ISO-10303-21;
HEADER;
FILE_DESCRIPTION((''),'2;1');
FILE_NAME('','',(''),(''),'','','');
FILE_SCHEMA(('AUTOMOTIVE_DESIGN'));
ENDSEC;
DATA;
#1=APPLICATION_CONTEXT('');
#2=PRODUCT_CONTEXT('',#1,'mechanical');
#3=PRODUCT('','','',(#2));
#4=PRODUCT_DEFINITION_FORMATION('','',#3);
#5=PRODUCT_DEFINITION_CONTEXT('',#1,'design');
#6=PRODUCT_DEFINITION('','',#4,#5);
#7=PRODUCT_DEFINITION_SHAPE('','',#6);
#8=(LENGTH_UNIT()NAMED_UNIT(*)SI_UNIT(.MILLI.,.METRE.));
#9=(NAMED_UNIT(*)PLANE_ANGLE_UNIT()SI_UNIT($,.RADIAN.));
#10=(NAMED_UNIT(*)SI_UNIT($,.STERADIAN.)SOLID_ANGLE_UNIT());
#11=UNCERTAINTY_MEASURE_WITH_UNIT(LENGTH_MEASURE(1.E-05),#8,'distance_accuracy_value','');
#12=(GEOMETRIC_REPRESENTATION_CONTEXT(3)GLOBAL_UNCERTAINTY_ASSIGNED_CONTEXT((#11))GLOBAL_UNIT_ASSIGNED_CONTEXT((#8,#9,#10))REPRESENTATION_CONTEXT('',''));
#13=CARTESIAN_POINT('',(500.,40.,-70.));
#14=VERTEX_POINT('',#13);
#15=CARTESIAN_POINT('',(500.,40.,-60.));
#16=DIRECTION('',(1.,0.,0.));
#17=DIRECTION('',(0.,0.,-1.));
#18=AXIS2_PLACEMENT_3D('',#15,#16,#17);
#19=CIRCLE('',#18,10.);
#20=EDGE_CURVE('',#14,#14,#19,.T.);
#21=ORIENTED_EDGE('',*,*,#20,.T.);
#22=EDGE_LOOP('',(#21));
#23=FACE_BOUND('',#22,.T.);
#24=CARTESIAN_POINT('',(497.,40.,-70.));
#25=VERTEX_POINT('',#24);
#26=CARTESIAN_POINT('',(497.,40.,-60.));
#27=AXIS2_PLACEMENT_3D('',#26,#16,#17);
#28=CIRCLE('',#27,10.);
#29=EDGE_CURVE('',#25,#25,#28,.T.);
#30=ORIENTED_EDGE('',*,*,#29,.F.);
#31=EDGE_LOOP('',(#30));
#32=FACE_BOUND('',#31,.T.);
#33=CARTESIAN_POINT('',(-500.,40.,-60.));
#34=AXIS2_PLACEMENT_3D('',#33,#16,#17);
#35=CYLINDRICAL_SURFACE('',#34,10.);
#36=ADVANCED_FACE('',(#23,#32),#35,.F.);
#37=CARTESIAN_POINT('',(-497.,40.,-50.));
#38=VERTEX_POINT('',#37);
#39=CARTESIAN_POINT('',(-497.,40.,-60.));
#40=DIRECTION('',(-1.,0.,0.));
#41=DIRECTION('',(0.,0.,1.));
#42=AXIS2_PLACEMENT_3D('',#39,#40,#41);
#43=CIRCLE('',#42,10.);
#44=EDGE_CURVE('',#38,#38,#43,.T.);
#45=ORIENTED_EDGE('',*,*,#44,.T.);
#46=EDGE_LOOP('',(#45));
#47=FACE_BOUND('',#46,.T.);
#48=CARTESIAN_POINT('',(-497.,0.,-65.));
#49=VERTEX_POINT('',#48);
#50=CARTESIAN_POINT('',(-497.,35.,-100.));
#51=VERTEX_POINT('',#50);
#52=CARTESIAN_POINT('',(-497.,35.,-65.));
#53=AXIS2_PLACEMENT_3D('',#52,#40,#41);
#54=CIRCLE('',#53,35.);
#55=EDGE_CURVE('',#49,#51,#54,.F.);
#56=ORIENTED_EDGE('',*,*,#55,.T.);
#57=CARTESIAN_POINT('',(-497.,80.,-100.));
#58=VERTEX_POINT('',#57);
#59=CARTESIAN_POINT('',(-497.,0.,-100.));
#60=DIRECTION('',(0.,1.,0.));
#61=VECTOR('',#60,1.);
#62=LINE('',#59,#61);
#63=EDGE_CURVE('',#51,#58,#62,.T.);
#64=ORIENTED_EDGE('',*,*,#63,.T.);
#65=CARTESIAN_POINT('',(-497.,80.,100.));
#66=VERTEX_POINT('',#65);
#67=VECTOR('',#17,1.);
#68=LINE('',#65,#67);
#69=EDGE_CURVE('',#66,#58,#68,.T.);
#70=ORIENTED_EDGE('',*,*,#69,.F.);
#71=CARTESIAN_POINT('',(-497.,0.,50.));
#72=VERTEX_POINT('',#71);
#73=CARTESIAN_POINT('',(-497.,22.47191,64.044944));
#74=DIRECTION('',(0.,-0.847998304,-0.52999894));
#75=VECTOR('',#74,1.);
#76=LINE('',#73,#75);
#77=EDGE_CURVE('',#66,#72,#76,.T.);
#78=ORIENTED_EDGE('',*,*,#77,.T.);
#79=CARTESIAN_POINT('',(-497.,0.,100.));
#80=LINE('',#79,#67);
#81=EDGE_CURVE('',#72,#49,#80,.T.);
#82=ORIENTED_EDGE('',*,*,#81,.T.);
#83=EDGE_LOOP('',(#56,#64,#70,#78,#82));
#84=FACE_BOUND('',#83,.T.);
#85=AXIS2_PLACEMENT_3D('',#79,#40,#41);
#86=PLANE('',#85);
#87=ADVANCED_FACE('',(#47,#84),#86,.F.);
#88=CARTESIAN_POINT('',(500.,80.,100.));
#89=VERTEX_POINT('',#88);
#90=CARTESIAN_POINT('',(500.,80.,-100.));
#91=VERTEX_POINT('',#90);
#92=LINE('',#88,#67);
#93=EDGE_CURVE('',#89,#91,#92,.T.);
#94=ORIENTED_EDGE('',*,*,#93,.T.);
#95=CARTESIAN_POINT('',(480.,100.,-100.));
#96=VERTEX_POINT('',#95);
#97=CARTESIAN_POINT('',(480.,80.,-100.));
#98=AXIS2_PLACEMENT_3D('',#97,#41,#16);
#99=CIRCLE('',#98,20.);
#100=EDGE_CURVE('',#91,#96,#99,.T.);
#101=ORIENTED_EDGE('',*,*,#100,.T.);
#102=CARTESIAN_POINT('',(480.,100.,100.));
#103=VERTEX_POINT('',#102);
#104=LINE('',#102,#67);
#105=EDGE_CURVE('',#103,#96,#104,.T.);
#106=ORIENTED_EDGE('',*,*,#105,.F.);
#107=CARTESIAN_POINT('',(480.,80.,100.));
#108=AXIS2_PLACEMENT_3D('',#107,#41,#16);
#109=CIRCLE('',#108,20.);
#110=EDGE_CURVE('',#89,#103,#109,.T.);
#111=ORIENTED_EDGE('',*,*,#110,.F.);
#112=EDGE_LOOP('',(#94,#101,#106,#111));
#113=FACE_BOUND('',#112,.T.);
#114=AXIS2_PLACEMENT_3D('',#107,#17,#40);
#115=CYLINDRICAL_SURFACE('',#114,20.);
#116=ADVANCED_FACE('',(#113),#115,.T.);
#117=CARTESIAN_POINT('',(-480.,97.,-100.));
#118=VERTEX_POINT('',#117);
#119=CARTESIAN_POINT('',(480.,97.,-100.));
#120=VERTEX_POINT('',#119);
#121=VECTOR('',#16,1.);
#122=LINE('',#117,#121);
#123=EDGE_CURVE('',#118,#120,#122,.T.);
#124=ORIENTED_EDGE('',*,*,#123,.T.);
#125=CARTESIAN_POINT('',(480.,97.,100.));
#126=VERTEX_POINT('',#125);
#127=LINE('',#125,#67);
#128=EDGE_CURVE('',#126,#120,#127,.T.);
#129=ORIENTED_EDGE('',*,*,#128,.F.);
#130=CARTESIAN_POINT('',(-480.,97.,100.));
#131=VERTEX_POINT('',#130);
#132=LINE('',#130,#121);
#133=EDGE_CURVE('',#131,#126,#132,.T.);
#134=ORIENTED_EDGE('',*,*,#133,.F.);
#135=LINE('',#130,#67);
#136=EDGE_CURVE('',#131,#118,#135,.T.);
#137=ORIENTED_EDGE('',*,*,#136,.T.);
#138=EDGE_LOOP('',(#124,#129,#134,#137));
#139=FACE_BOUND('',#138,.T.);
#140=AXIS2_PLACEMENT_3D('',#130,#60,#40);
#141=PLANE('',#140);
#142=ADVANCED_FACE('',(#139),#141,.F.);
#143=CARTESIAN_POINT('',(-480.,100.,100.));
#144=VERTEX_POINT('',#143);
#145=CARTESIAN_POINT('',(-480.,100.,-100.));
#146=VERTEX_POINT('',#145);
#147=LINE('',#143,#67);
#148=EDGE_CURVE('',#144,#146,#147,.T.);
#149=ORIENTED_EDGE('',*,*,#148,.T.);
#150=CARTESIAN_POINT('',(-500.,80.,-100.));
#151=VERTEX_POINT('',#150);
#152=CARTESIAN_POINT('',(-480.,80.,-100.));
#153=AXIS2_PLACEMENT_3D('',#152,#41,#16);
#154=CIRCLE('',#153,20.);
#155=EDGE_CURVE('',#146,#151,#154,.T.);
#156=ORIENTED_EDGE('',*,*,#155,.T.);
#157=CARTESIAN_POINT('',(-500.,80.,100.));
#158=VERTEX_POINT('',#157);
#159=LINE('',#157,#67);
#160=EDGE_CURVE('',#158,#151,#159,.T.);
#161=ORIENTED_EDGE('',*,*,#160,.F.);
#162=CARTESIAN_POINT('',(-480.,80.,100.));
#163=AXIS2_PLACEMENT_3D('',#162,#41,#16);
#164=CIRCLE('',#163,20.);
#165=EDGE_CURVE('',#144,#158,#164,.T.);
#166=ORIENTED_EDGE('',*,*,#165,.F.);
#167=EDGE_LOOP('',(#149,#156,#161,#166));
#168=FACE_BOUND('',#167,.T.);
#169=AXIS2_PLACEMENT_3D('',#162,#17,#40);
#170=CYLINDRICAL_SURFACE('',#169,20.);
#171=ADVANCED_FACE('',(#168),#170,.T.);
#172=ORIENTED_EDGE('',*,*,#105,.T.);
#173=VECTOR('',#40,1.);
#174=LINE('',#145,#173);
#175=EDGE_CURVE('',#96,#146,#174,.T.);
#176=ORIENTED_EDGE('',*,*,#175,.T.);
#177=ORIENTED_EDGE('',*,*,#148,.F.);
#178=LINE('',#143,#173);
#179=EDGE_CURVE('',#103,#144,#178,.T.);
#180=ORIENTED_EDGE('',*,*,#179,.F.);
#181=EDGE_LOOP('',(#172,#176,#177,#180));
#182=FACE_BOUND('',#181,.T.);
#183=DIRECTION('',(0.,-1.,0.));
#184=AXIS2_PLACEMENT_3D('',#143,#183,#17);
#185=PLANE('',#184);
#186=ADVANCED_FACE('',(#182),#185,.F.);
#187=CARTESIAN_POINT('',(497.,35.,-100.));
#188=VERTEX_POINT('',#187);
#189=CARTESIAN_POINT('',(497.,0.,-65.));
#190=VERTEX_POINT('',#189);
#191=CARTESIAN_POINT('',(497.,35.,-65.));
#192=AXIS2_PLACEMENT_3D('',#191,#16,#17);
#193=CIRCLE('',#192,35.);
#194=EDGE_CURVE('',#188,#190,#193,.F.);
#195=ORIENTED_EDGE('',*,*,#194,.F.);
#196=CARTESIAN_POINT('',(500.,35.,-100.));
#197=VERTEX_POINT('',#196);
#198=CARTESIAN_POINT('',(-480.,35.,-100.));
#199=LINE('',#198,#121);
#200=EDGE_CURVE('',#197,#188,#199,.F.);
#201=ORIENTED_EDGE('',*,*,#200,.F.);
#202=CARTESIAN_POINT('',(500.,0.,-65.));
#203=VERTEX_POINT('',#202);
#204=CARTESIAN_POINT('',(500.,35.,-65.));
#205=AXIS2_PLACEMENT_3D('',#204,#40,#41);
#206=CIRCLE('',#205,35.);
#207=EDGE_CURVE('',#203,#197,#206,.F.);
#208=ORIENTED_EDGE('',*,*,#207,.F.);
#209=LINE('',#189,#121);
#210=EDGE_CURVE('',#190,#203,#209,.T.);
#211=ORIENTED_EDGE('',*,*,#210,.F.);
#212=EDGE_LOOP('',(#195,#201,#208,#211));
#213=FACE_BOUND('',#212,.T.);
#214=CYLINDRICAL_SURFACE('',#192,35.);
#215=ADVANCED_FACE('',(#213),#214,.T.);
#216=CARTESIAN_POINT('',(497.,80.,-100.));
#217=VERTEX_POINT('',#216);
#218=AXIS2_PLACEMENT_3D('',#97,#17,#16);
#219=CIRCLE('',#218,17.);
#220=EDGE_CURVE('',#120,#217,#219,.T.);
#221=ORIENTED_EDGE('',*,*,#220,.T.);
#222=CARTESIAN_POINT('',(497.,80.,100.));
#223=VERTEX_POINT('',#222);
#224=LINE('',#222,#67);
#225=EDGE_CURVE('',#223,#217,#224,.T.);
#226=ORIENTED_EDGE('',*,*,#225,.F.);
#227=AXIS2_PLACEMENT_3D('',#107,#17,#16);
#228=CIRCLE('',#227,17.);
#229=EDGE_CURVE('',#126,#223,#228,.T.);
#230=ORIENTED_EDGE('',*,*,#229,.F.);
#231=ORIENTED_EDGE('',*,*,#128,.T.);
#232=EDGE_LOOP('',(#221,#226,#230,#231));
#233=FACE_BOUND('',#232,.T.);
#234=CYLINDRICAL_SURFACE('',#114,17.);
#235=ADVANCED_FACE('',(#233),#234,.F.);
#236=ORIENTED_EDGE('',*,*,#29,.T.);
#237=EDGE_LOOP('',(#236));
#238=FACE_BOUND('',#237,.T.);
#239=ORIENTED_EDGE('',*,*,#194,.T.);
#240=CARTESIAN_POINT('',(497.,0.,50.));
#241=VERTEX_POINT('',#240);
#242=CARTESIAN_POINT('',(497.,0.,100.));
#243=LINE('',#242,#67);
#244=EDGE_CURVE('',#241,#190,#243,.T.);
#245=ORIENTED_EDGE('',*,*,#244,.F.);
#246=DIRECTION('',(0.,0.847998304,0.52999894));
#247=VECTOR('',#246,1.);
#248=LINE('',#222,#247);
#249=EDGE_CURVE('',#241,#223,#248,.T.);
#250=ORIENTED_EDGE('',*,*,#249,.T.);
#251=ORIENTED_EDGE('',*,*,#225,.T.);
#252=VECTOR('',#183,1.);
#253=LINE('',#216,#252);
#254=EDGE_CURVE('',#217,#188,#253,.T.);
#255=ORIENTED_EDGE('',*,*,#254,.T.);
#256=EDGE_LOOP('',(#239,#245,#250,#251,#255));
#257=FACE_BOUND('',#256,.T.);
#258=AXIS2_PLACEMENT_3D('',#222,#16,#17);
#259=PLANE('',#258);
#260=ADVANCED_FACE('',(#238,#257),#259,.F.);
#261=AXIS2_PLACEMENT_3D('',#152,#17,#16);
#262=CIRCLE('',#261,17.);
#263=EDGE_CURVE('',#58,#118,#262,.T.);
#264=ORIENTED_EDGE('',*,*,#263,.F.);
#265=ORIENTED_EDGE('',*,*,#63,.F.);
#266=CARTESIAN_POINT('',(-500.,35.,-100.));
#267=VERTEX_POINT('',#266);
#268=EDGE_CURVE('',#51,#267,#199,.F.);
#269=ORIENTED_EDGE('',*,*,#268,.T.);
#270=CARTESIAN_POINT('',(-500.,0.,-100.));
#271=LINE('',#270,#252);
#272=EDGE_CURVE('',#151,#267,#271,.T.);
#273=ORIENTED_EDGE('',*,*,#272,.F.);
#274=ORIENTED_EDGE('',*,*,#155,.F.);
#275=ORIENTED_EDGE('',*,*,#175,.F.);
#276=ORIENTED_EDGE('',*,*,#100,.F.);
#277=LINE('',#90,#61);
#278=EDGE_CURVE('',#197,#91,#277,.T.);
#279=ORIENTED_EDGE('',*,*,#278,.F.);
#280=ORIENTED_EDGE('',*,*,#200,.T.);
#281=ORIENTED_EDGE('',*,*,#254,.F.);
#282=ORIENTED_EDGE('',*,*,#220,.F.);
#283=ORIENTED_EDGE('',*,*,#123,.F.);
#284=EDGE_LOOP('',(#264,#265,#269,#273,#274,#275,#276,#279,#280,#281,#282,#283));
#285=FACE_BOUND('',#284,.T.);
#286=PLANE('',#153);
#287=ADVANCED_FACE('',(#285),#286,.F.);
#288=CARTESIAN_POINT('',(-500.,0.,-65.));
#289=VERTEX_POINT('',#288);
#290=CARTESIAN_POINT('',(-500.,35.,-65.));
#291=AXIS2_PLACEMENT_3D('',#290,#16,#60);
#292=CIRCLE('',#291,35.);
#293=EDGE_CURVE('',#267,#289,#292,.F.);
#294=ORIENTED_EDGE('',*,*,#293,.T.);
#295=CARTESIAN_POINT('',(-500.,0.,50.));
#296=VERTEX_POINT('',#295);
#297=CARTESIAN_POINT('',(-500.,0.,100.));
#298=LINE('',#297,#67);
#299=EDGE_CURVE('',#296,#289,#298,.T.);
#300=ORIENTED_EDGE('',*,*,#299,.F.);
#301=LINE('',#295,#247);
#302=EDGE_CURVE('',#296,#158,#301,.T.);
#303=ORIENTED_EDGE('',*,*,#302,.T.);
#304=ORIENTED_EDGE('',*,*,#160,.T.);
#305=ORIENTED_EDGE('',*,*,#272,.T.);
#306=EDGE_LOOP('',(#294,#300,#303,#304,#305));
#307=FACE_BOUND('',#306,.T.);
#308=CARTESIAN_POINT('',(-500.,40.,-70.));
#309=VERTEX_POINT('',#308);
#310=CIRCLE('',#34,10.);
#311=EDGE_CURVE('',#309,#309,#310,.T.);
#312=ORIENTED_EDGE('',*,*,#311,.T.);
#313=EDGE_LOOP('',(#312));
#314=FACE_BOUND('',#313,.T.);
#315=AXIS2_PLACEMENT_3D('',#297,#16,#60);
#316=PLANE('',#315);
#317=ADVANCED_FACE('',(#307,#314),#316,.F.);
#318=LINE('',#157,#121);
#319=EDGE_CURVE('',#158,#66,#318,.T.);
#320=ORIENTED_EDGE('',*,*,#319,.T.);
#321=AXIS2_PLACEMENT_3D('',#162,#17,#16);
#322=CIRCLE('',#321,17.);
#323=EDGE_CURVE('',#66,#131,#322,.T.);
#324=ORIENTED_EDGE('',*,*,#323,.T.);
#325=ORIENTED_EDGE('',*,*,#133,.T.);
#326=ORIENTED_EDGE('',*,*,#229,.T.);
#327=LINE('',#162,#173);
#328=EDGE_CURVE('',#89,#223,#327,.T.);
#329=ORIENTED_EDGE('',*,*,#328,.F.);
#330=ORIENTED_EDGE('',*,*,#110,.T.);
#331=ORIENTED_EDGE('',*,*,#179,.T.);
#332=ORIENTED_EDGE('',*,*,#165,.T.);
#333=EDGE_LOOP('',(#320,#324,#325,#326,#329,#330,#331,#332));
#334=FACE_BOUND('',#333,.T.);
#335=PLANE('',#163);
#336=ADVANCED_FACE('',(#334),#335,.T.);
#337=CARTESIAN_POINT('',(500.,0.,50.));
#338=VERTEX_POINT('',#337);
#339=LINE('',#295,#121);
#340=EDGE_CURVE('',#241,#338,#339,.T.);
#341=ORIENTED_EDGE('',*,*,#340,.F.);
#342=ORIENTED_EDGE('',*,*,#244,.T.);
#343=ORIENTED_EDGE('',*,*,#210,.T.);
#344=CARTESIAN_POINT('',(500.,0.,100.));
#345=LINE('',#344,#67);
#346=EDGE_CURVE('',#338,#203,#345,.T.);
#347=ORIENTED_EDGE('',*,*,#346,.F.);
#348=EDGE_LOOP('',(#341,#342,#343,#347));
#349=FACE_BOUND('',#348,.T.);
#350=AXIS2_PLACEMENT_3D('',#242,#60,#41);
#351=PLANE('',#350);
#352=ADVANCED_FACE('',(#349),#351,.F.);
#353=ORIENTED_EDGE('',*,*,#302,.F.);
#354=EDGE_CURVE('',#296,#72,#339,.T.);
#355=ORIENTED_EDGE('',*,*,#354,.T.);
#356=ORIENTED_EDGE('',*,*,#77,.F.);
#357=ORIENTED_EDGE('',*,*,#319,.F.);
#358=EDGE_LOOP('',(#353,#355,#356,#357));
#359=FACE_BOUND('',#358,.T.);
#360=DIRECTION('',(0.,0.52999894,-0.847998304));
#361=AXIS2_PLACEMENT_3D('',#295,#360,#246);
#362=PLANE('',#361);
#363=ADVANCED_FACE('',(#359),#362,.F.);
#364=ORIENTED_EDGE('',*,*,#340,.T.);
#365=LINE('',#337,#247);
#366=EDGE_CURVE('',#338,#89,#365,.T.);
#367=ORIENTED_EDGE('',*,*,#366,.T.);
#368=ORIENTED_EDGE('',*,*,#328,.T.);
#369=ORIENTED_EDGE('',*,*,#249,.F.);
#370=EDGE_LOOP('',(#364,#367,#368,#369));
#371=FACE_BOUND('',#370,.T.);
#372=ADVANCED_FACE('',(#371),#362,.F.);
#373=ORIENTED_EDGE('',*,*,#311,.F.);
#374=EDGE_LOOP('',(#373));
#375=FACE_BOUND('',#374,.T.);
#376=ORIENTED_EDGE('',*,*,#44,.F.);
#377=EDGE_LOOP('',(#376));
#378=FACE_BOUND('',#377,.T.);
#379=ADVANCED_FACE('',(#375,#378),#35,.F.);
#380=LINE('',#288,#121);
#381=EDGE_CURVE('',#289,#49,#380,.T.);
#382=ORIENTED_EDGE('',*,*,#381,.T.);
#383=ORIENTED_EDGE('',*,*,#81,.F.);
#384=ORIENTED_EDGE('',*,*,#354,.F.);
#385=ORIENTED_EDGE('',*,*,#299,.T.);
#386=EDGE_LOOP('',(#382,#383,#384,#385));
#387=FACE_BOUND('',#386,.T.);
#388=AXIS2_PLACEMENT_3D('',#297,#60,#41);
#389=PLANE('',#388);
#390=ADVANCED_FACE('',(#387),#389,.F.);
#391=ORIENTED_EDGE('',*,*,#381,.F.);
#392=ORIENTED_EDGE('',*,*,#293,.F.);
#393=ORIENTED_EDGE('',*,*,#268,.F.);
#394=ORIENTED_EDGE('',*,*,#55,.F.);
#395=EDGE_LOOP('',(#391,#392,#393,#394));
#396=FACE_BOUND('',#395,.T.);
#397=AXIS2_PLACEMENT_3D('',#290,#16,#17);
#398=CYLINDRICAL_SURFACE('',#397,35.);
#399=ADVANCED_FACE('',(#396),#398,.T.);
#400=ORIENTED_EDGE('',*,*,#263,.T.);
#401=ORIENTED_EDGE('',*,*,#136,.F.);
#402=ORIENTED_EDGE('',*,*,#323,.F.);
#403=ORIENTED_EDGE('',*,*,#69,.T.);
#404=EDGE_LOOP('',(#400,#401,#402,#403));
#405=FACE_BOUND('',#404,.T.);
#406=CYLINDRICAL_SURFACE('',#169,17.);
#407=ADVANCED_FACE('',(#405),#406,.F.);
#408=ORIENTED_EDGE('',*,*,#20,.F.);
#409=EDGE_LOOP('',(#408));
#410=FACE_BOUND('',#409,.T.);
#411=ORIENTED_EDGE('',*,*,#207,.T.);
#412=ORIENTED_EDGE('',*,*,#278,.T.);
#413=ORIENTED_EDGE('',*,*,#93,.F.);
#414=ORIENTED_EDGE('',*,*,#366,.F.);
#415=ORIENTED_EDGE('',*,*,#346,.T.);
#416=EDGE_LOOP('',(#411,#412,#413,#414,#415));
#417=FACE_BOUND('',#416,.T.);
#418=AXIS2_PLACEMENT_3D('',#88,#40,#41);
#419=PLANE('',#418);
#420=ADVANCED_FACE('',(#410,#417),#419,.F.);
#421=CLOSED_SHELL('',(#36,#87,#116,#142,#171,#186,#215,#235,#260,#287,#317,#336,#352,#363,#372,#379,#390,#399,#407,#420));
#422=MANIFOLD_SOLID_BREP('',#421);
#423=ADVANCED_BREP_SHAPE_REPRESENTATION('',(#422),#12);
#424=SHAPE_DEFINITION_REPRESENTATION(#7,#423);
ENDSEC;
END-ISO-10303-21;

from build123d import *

# Parameters (mm, degrees)
BOSS_EXTRUDE1_DEPTH = 100
CUT_EXTRUDE1_DEPTH  = 1001
SKETCH3_R           = 10
CUT_EXTRUDE2_DEPTH  = 1001
FILLET1_R           = 35


with BuildPart() as part:
    # Sketch1 → Boss-Extrude1 (new body, symmetric)
    with BuildSketch(Plane.XY):
        with BuildLine():
            Line((-500, 0), (-500, 80))
            ThreePointArc((-500, 80), (-494.142135624, 94.142135624), (-480, 100))
            Line((-480, 100), (480, 100))
            ThreePointArc((480, 100), (494.142135624, 94.142135624), (500, 80))
            Line((500, 80), (500, 0))
            Line((500, 0), (497, 0))
            Line((497, 0), (497, 80))
            ThreePointArc((497, 80), (492.02081528, 92.02081528), (480, 97))
            Line((480, 97), (-480, 97))
            ThreePointArc((-480, 97), (-492.02081528, 92.02081528), (-497, 80))
            Line((-497, 80), (-497, 0))
            Line((-497, 0), (-500, 0))
        make_face()
    extrude(amount=BOSS_EXTRUDE1_DEPTH, both=True)

    # Sketch2 → Cut-Extrude1 (cut, through all)
    with BuildSketch(Plane(origin=(500, 0, 0), x_dir=(0, 0, -1), z_dir=(1, 0, 0))):
        Polygon((-100, 80), (-100, 0), (-50, 0), align=None)
    extrude(amount=-CUT_EXTRUDE1_DEPTH, mode=Mode.SUBTRACT)

    # Sketch3 → Cut-Extrude2 (cut, through all)
    with BuildSketch(Plane(origin=(500, 0, 0), x_dir=(0, 0, -1), z_dir=(1, 0, 0))):
        with Locations((60, 40)):
            Circle(SKETCH3_R)
    extrude(amount=-CUT_EXTRUDE2_DEPTH, mode=Mode.SUBTRACT)

    # Fillet1
    fillet1_edges = [part.edges().sort_by_distance(p)[0] for p in [
        (498.5, 0, -100),
        (-498.5, 0, -100),
    ]]
    fillet(fillet1_edges, radius=FILLET1_R)


solid = part.part
